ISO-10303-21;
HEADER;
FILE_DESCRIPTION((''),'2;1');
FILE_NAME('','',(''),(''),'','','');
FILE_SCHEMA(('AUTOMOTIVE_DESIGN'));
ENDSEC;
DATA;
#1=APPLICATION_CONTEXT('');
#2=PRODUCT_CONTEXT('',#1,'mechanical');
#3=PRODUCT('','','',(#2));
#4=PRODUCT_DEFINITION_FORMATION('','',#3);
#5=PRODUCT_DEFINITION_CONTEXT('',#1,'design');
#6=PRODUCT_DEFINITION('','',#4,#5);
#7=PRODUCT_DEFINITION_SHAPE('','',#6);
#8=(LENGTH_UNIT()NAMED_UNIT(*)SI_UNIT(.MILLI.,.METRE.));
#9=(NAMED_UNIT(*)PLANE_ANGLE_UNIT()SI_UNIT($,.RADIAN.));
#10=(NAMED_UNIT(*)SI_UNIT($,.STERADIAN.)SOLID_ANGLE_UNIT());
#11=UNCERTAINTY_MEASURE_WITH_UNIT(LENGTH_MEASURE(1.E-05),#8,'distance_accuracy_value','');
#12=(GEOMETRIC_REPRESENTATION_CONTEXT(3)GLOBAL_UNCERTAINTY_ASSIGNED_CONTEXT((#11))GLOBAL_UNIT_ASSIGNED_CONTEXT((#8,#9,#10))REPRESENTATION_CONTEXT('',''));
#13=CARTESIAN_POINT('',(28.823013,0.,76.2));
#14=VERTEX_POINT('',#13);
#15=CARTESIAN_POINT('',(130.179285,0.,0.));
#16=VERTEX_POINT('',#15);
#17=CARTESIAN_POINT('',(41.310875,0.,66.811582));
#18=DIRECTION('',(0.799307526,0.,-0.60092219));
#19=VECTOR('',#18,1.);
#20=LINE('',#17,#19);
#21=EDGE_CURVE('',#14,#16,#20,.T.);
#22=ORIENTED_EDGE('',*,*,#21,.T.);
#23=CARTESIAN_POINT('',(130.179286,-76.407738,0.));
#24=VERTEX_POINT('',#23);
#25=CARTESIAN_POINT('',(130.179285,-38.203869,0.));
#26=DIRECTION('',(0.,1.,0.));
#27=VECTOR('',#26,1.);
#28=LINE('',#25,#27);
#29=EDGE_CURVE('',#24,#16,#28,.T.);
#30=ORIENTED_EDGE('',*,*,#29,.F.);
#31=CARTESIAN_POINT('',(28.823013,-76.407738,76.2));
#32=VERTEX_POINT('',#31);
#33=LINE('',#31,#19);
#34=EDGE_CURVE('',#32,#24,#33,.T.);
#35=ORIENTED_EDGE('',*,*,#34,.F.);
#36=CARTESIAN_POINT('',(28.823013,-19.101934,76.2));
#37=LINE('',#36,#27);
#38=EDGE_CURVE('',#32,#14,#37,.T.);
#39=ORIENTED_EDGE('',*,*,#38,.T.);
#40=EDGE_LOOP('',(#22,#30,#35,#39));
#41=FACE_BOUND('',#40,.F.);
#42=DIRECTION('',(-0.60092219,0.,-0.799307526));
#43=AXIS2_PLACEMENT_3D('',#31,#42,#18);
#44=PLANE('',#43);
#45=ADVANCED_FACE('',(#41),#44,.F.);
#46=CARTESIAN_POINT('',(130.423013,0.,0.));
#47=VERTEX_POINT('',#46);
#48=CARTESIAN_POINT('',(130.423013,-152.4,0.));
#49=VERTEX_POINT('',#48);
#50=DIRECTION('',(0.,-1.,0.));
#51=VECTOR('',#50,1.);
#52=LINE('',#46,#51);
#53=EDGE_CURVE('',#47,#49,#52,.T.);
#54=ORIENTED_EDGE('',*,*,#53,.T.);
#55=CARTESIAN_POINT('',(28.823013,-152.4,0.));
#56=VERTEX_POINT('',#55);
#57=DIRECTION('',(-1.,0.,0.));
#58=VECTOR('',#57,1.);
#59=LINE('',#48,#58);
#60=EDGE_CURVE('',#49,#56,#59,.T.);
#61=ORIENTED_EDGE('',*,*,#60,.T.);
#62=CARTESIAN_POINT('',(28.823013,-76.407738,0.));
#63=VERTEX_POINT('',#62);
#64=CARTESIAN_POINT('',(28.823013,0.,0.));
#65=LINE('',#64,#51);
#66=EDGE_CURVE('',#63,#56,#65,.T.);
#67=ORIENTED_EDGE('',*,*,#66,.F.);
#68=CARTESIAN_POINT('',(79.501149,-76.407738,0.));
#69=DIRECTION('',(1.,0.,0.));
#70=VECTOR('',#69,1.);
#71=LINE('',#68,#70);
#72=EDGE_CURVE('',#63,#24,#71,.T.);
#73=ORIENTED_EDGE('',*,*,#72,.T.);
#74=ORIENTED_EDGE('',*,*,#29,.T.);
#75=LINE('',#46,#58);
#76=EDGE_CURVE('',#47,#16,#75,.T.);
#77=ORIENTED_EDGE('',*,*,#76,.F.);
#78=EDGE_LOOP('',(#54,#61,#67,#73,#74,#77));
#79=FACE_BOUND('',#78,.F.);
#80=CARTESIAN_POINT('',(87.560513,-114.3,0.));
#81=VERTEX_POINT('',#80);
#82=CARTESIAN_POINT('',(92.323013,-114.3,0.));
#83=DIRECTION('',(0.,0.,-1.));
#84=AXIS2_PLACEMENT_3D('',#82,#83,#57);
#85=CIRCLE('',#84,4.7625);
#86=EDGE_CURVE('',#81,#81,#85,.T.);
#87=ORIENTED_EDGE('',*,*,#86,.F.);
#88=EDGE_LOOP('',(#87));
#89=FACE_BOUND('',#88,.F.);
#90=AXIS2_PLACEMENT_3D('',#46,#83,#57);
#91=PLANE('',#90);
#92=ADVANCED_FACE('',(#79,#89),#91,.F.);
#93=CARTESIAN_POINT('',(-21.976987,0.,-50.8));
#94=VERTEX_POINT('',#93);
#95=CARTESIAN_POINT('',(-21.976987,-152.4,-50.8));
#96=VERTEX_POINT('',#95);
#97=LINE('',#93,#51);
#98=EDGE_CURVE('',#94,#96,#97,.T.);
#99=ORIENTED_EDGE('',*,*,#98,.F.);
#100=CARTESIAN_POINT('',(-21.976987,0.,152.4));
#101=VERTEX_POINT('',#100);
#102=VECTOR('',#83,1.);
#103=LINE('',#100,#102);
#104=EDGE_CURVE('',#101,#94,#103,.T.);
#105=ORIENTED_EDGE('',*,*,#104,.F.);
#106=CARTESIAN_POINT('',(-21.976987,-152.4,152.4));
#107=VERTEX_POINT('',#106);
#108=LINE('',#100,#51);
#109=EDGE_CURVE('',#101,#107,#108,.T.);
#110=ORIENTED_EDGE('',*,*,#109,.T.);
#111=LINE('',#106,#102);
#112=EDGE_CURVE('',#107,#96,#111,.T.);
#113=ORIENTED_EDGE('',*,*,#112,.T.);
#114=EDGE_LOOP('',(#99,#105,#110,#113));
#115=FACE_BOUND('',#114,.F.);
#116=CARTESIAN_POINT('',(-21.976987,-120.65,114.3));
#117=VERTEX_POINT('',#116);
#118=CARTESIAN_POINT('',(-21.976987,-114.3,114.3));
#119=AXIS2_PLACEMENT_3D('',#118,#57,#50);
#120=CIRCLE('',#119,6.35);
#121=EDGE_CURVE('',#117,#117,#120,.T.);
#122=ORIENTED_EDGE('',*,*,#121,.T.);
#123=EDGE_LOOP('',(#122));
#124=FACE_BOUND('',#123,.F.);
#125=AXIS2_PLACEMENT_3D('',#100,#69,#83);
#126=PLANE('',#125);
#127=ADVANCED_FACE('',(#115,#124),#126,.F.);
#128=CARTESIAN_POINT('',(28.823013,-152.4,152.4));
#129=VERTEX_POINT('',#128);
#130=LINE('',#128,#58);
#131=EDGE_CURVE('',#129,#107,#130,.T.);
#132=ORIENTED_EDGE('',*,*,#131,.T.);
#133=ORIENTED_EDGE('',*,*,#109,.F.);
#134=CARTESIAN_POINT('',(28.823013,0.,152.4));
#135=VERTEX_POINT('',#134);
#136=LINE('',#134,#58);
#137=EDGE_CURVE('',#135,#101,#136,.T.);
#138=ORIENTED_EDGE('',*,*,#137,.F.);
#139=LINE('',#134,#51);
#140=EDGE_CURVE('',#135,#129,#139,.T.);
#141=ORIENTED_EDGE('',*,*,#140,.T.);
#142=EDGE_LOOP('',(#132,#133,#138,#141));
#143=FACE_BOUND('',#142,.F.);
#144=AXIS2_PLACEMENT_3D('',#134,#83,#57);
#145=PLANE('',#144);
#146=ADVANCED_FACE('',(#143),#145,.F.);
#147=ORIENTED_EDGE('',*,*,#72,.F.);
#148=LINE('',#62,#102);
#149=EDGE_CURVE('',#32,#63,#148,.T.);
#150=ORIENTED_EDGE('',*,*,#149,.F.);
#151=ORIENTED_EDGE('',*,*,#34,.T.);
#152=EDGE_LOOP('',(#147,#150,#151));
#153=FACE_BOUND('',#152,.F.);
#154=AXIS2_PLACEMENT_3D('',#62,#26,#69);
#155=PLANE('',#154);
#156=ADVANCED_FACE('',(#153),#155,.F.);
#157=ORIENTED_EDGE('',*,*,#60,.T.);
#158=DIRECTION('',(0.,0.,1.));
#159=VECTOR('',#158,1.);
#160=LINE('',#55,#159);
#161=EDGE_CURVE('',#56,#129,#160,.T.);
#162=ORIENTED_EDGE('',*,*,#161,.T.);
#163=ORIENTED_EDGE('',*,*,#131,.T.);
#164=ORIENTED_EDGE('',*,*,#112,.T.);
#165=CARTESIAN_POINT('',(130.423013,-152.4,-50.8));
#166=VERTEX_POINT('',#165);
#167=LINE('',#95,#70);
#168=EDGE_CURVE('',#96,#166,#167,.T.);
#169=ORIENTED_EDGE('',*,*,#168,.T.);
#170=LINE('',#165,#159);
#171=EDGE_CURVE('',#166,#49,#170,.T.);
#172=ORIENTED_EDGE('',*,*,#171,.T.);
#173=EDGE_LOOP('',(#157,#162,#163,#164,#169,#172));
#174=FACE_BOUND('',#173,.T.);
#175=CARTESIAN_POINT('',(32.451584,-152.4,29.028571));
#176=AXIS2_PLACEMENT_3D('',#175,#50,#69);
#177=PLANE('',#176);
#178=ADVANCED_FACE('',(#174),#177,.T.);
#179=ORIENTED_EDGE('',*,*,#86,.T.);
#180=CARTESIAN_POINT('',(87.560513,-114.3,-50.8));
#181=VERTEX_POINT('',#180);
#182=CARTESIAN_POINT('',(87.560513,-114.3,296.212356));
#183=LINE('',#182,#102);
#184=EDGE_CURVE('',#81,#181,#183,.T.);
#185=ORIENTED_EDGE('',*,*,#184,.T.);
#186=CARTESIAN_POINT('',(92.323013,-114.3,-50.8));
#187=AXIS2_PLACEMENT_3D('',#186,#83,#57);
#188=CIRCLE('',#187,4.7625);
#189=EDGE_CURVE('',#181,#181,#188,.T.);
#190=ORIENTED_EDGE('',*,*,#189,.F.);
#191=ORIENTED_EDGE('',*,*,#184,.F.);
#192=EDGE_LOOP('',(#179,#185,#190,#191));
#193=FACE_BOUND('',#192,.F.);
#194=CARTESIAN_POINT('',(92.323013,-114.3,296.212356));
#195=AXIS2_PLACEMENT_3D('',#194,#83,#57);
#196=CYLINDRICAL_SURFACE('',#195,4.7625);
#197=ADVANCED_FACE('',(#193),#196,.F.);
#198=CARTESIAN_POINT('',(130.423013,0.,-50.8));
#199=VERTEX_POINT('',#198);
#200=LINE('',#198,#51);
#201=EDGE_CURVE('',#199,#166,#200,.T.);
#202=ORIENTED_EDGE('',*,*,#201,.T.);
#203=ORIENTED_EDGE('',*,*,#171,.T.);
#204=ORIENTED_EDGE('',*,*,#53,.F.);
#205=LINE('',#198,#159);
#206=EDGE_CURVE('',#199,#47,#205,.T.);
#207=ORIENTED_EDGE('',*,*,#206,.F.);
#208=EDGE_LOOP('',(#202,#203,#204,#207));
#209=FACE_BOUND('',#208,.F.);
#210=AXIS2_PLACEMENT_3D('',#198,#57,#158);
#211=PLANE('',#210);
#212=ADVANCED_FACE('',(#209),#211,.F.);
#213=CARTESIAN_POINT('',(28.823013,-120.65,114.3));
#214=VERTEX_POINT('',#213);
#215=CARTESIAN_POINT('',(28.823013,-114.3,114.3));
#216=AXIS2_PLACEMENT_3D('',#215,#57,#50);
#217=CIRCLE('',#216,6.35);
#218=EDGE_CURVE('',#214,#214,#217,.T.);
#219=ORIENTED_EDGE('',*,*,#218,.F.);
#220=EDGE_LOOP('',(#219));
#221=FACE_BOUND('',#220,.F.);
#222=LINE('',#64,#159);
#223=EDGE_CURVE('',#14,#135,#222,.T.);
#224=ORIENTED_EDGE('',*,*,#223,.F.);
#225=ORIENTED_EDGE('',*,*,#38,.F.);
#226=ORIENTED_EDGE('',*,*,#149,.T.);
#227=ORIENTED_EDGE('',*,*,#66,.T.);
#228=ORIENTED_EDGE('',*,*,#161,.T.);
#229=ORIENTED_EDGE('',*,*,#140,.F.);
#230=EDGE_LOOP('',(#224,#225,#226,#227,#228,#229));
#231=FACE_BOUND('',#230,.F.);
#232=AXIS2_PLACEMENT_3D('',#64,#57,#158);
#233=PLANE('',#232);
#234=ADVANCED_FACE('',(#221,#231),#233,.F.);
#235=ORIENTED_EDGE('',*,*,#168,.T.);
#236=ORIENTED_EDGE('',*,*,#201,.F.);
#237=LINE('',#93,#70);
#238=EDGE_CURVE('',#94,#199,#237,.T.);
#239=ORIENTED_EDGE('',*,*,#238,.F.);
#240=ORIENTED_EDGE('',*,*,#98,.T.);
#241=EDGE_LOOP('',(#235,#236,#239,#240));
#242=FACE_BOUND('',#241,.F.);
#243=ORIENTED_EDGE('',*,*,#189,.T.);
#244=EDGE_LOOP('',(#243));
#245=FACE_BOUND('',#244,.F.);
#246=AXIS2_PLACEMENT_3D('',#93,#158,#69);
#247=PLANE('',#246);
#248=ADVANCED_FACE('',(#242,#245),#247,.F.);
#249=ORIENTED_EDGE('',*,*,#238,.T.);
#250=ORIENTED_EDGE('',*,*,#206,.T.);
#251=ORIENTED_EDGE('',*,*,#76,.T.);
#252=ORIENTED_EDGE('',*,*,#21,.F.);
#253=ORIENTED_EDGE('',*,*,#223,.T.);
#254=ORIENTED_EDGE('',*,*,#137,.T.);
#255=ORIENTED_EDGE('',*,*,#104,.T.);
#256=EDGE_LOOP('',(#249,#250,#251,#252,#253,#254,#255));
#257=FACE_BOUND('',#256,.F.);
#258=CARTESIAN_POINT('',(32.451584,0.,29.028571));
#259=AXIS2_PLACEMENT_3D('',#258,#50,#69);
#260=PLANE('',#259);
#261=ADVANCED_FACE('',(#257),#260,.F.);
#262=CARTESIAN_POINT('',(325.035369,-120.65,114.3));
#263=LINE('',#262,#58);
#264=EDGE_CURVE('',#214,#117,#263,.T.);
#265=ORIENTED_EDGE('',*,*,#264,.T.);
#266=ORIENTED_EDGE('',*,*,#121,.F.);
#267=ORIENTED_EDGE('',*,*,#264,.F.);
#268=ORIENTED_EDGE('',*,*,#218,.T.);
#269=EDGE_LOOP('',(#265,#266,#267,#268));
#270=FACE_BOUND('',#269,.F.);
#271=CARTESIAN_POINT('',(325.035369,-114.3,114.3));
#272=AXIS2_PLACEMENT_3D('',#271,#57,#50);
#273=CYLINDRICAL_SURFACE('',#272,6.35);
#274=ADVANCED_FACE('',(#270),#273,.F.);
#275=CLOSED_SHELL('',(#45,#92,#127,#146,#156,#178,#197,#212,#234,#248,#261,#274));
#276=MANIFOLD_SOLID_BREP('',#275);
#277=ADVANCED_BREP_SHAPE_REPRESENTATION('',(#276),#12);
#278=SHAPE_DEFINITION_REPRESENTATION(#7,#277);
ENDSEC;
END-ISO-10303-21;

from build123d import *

# Parameters (mm, degrees)
F1_DEPTH = 152.4
F2_W     = 101.356273
F2_H     = 76.407738
F3_DEPTH = 76.2
F5_DEPTH = 84.108479
F7_D     = 9.525
F9_D     = 12.7


with BuildPart() as f1:
    # F0 (on Front) → F1 (new body)
    with BuildSketch(Plane.XZ):
        Polygon((28.823013, 0), (28.823013, 152.4), (-21.976987, 152.4), (-21.976987, -50.8), (130.423013, -50.8), (130.423013, 0), align=None)
    extrude(amount=F1_DEPTH)

    # F2 (on face) → F3 (join)
    with BuildSketch(Plane.XY):
        with Locations((79.501149, -38.203869)):
            Rectangle(F2_W, F2_H)
    extrude(amount=F3_DEPTH)

    # F4 (on face) → F5 (cut)
    with BuildSketch(Plane.XZ.offset(76.407738)):
        Polygon((130.179286, 76.2), (28.823013, 76.2), (130.179286, 0), align=None)
    extrude(amount=-F5_DEPTH, mode=Mode.SUBTRACT)

    # F7 (through all)
    with Locations(Plane.XY):
        with Locations((92.323013, -114.3)):
            Hole(F7_D / 2)

    # F9 (through all)
    with Locations(Plane.YZ.offset(28.823013)):
        with Locations((-114.3, 114.3)):
            Hole(F9_D / 2)


solid = f1.part
